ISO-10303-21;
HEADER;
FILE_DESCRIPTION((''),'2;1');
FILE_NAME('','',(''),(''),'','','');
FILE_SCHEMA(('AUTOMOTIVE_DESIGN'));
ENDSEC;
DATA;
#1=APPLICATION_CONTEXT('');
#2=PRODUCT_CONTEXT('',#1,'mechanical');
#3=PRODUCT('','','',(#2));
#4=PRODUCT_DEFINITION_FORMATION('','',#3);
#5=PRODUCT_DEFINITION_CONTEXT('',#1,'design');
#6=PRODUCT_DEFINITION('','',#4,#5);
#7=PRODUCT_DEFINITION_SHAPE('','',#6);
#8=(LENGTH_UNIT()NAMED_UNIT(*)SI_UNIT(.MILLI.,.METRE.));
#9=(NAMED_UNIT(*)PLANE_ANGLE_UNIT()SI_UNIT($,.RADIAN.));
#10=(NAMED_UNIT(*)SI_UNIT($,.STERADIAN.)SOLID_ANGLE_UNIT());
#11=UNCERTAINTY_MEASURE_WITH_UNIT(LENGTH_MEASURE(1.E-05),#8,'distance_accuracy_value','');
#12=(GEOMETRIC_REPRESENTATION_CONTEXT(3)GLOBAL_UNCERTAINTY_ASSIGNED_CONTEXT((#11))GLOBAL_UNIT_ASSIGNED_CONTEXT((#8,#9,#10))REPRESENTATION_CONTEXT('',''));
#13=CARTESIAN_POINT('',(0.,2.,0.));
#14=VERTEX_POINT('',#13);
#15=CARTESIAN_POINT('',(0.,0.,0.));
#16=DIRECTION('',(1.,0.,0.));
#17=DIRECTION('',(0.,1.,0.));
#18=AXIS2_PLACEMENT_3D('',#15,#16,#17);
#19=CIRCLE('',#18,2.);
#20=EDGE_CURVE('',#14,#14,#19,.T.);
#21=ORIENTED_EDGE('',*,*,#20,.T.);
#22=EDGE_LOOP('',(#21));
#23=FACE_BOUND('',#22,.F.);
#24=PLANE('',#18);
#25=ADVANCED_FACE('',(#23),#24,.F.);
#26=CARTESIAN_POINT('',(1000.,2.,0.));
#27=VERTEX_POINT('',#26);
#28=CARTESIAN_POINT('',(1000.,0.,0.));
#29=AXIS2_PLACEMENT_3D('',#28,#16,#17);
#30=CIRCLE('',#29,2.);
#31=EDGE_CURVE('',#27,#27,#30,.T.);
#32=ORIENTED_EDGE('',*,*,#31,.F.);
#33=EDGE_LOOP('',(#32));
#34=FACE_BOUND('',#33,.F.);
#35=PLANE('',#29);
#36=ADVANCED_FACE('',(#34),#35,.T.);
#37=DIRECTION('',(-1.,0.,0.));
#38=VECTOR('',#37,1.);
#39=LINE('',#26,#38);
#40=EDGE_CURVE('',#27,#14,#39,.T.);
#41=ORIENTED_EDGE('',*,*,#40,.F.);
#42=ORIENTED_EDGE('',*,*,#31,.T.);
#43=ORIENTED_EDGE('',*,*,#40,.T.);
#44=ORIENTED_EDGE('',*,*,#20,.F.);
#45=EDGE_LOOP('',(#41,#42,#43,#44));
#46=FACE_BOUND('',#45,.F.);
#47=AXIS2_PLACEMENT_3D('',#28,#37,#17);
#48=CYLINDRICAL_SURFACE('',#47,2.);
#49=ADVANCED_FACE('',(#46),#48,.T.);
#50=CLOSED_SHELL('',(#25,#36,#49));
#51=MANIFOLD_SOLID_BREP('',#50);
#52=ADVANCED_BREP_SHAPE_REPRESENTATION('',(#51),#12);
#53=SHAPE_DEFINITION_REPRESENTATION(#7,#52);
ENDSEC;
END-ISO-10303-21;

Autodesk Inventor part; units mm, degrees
ref_plane "YZ Plane" through (0, 0, 0) normal (1, 0, 0) x (0, 1, 0)
ref_plane "XZ Plane" through (0, 0, 0) normal (0, 1, 0) x (-1, 0, 0)
ref_plane "XY Plane" through (0, 0, 0) normal (0, 0, 1) x (1, 0, 0)
sketch "Sketch 1" plane through (0, 0, 0) normal (0, 0, 1) x (1, 0, 0)
  line L0 (0, 0) -> (1000, 0)
  line L1 (1000, 0) -> (1000, 2)
  line L2 (1000, 2) -> (0, 2)
  line L3 (0, 2) -> (0, 0)
  line L4 (0, 0) -> (264.2263, 0)
  dimension "D" = 4
  dimension "L" = 1000
revolve "Revolution 1" add sketch "Sketch 1" angle 360 about axis through (0, 0, 0) along (1, 0, 0)
thread "Thread1" size "M4x0.7" designation "M4" class "6g" standard "GB Metric profile" full length
equation "\"D\" = NND"
equation "\"L\" = NLG"
equation "\"NND\" = 4"
equation "\"NLG\" = 1000"
equation "\"PTC\" = 0.7"
equation "\"KOD\" = 1"
equation "\"KOH\" = 1"
properties part number "Threaded rods GB/T 15389-1994 M4 x 1000" material "Stahl, weich"
